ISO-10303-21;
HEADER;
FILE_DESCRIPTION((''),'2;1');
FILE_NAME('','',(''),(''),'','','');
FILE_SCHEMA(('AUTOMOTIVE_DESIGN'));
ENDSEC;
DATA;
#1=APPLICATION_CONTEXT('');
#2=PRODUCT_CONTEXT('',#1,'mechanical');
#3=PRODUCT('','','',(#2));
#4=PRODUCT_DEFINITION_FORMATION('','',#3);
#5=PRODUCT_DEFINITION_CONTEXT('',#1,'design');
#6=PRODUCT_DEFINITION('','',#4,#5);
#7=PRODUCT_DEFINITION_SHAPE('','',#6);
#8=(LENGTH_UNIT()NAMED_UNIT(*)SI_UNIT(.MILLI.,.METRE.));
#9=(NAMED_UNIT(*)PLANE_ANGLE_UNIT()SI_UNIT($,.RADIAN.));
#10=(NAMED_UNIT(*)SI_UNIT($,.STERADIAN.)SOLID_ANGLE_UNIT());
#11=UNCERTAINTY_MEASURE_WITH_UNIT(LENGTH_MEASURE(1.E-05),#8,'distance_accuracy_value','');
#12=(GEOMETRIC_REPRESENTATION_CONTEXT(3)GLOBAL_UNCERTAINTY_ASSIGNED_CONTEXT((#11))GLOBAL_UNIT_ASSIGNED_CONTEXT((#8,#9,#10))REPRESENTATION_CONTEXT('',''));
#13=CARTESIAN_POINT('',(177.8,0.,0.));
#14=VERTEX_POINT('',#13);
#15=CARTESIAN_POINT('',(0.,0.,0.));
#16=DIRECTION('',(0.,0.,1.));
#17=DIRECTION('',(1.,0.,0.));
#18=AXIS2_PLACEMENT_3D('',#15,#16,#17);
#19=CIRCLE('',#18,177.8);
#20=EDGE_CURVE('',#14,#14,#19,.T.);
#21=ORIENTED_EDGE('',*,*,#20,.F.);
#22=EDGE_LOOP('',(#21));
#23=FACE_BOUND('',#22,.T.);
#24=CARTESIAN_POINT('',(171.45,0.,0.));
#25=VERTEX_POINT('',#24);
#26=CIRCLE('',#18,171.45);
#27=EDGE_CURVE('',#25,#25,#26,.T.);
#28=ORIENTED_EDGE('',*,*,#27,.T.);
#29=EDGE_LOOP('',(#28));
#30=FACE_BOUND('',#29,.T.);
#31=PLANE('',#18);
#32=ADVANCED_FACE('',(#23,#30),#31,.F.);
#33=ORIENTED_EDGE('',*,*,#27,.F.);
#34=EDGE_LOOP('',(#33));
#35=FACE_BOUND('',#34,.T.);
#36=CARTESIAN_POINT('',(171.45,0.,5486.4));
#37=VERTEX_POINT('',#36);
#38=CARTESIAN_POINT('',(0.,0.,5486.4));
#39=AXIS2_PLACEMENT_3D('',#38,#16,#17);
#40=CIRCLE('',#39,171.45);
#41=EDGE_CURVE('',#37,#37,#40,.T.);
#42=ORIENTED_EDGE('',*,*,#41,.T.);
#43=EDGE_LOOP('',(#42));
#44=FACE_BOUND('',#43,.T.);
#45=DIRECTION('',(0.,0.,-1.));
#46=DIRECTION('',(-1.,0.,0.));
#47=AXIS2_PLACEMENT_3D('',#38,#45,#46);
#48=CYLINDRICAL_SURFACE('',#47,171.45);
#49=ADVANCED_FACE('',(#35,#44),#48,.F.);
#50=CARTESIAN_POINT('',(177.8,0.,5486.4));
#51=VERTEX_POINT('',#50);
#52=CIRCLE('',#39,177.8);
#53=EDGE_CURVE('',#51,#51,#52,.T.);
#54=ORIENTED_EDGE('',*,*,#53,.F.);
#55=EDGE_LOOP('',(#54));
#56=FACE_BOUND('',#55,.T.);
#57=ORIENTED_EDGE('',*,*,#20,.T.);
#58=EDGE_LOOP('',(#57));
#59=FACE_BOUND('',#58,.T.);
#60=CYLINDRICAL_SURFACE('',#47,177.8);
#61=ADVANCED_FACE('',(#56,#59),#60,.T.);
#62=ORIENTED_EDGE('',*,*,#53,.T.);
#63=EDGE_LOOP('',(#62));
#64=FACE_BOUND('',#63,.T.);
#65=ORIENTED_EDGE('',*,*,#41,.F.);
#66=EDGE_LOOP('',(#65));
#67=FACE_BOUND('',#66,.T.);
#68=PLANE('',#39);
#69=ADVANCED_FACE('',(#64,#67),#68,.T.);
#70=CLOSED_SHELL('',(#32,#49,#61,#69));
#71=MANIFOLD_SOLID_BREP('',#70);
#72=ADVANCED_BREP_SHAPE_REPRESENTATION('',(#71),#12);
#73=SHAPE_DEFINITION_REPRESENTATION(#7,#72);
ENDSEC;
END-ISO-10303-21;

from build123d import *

# Parameters (mm, degrees)
PIPESKETCH_R    = 177.8
PIPESKETCH_R_2  = 171.45
EXTRUSION_DEPTH = 5486.4


with BuildPart() as part:
    # PipeSketch → Extrusion (new body)
    with BuildSketch(Plane.XY):
        Circle(PIPESKETCH_R)
        Circle(PIPESKETCH_R_2, mode=Mode.SUBTRACT)
    extrude(amount=EXTRUSION_DEPTH)


solid = part.part
